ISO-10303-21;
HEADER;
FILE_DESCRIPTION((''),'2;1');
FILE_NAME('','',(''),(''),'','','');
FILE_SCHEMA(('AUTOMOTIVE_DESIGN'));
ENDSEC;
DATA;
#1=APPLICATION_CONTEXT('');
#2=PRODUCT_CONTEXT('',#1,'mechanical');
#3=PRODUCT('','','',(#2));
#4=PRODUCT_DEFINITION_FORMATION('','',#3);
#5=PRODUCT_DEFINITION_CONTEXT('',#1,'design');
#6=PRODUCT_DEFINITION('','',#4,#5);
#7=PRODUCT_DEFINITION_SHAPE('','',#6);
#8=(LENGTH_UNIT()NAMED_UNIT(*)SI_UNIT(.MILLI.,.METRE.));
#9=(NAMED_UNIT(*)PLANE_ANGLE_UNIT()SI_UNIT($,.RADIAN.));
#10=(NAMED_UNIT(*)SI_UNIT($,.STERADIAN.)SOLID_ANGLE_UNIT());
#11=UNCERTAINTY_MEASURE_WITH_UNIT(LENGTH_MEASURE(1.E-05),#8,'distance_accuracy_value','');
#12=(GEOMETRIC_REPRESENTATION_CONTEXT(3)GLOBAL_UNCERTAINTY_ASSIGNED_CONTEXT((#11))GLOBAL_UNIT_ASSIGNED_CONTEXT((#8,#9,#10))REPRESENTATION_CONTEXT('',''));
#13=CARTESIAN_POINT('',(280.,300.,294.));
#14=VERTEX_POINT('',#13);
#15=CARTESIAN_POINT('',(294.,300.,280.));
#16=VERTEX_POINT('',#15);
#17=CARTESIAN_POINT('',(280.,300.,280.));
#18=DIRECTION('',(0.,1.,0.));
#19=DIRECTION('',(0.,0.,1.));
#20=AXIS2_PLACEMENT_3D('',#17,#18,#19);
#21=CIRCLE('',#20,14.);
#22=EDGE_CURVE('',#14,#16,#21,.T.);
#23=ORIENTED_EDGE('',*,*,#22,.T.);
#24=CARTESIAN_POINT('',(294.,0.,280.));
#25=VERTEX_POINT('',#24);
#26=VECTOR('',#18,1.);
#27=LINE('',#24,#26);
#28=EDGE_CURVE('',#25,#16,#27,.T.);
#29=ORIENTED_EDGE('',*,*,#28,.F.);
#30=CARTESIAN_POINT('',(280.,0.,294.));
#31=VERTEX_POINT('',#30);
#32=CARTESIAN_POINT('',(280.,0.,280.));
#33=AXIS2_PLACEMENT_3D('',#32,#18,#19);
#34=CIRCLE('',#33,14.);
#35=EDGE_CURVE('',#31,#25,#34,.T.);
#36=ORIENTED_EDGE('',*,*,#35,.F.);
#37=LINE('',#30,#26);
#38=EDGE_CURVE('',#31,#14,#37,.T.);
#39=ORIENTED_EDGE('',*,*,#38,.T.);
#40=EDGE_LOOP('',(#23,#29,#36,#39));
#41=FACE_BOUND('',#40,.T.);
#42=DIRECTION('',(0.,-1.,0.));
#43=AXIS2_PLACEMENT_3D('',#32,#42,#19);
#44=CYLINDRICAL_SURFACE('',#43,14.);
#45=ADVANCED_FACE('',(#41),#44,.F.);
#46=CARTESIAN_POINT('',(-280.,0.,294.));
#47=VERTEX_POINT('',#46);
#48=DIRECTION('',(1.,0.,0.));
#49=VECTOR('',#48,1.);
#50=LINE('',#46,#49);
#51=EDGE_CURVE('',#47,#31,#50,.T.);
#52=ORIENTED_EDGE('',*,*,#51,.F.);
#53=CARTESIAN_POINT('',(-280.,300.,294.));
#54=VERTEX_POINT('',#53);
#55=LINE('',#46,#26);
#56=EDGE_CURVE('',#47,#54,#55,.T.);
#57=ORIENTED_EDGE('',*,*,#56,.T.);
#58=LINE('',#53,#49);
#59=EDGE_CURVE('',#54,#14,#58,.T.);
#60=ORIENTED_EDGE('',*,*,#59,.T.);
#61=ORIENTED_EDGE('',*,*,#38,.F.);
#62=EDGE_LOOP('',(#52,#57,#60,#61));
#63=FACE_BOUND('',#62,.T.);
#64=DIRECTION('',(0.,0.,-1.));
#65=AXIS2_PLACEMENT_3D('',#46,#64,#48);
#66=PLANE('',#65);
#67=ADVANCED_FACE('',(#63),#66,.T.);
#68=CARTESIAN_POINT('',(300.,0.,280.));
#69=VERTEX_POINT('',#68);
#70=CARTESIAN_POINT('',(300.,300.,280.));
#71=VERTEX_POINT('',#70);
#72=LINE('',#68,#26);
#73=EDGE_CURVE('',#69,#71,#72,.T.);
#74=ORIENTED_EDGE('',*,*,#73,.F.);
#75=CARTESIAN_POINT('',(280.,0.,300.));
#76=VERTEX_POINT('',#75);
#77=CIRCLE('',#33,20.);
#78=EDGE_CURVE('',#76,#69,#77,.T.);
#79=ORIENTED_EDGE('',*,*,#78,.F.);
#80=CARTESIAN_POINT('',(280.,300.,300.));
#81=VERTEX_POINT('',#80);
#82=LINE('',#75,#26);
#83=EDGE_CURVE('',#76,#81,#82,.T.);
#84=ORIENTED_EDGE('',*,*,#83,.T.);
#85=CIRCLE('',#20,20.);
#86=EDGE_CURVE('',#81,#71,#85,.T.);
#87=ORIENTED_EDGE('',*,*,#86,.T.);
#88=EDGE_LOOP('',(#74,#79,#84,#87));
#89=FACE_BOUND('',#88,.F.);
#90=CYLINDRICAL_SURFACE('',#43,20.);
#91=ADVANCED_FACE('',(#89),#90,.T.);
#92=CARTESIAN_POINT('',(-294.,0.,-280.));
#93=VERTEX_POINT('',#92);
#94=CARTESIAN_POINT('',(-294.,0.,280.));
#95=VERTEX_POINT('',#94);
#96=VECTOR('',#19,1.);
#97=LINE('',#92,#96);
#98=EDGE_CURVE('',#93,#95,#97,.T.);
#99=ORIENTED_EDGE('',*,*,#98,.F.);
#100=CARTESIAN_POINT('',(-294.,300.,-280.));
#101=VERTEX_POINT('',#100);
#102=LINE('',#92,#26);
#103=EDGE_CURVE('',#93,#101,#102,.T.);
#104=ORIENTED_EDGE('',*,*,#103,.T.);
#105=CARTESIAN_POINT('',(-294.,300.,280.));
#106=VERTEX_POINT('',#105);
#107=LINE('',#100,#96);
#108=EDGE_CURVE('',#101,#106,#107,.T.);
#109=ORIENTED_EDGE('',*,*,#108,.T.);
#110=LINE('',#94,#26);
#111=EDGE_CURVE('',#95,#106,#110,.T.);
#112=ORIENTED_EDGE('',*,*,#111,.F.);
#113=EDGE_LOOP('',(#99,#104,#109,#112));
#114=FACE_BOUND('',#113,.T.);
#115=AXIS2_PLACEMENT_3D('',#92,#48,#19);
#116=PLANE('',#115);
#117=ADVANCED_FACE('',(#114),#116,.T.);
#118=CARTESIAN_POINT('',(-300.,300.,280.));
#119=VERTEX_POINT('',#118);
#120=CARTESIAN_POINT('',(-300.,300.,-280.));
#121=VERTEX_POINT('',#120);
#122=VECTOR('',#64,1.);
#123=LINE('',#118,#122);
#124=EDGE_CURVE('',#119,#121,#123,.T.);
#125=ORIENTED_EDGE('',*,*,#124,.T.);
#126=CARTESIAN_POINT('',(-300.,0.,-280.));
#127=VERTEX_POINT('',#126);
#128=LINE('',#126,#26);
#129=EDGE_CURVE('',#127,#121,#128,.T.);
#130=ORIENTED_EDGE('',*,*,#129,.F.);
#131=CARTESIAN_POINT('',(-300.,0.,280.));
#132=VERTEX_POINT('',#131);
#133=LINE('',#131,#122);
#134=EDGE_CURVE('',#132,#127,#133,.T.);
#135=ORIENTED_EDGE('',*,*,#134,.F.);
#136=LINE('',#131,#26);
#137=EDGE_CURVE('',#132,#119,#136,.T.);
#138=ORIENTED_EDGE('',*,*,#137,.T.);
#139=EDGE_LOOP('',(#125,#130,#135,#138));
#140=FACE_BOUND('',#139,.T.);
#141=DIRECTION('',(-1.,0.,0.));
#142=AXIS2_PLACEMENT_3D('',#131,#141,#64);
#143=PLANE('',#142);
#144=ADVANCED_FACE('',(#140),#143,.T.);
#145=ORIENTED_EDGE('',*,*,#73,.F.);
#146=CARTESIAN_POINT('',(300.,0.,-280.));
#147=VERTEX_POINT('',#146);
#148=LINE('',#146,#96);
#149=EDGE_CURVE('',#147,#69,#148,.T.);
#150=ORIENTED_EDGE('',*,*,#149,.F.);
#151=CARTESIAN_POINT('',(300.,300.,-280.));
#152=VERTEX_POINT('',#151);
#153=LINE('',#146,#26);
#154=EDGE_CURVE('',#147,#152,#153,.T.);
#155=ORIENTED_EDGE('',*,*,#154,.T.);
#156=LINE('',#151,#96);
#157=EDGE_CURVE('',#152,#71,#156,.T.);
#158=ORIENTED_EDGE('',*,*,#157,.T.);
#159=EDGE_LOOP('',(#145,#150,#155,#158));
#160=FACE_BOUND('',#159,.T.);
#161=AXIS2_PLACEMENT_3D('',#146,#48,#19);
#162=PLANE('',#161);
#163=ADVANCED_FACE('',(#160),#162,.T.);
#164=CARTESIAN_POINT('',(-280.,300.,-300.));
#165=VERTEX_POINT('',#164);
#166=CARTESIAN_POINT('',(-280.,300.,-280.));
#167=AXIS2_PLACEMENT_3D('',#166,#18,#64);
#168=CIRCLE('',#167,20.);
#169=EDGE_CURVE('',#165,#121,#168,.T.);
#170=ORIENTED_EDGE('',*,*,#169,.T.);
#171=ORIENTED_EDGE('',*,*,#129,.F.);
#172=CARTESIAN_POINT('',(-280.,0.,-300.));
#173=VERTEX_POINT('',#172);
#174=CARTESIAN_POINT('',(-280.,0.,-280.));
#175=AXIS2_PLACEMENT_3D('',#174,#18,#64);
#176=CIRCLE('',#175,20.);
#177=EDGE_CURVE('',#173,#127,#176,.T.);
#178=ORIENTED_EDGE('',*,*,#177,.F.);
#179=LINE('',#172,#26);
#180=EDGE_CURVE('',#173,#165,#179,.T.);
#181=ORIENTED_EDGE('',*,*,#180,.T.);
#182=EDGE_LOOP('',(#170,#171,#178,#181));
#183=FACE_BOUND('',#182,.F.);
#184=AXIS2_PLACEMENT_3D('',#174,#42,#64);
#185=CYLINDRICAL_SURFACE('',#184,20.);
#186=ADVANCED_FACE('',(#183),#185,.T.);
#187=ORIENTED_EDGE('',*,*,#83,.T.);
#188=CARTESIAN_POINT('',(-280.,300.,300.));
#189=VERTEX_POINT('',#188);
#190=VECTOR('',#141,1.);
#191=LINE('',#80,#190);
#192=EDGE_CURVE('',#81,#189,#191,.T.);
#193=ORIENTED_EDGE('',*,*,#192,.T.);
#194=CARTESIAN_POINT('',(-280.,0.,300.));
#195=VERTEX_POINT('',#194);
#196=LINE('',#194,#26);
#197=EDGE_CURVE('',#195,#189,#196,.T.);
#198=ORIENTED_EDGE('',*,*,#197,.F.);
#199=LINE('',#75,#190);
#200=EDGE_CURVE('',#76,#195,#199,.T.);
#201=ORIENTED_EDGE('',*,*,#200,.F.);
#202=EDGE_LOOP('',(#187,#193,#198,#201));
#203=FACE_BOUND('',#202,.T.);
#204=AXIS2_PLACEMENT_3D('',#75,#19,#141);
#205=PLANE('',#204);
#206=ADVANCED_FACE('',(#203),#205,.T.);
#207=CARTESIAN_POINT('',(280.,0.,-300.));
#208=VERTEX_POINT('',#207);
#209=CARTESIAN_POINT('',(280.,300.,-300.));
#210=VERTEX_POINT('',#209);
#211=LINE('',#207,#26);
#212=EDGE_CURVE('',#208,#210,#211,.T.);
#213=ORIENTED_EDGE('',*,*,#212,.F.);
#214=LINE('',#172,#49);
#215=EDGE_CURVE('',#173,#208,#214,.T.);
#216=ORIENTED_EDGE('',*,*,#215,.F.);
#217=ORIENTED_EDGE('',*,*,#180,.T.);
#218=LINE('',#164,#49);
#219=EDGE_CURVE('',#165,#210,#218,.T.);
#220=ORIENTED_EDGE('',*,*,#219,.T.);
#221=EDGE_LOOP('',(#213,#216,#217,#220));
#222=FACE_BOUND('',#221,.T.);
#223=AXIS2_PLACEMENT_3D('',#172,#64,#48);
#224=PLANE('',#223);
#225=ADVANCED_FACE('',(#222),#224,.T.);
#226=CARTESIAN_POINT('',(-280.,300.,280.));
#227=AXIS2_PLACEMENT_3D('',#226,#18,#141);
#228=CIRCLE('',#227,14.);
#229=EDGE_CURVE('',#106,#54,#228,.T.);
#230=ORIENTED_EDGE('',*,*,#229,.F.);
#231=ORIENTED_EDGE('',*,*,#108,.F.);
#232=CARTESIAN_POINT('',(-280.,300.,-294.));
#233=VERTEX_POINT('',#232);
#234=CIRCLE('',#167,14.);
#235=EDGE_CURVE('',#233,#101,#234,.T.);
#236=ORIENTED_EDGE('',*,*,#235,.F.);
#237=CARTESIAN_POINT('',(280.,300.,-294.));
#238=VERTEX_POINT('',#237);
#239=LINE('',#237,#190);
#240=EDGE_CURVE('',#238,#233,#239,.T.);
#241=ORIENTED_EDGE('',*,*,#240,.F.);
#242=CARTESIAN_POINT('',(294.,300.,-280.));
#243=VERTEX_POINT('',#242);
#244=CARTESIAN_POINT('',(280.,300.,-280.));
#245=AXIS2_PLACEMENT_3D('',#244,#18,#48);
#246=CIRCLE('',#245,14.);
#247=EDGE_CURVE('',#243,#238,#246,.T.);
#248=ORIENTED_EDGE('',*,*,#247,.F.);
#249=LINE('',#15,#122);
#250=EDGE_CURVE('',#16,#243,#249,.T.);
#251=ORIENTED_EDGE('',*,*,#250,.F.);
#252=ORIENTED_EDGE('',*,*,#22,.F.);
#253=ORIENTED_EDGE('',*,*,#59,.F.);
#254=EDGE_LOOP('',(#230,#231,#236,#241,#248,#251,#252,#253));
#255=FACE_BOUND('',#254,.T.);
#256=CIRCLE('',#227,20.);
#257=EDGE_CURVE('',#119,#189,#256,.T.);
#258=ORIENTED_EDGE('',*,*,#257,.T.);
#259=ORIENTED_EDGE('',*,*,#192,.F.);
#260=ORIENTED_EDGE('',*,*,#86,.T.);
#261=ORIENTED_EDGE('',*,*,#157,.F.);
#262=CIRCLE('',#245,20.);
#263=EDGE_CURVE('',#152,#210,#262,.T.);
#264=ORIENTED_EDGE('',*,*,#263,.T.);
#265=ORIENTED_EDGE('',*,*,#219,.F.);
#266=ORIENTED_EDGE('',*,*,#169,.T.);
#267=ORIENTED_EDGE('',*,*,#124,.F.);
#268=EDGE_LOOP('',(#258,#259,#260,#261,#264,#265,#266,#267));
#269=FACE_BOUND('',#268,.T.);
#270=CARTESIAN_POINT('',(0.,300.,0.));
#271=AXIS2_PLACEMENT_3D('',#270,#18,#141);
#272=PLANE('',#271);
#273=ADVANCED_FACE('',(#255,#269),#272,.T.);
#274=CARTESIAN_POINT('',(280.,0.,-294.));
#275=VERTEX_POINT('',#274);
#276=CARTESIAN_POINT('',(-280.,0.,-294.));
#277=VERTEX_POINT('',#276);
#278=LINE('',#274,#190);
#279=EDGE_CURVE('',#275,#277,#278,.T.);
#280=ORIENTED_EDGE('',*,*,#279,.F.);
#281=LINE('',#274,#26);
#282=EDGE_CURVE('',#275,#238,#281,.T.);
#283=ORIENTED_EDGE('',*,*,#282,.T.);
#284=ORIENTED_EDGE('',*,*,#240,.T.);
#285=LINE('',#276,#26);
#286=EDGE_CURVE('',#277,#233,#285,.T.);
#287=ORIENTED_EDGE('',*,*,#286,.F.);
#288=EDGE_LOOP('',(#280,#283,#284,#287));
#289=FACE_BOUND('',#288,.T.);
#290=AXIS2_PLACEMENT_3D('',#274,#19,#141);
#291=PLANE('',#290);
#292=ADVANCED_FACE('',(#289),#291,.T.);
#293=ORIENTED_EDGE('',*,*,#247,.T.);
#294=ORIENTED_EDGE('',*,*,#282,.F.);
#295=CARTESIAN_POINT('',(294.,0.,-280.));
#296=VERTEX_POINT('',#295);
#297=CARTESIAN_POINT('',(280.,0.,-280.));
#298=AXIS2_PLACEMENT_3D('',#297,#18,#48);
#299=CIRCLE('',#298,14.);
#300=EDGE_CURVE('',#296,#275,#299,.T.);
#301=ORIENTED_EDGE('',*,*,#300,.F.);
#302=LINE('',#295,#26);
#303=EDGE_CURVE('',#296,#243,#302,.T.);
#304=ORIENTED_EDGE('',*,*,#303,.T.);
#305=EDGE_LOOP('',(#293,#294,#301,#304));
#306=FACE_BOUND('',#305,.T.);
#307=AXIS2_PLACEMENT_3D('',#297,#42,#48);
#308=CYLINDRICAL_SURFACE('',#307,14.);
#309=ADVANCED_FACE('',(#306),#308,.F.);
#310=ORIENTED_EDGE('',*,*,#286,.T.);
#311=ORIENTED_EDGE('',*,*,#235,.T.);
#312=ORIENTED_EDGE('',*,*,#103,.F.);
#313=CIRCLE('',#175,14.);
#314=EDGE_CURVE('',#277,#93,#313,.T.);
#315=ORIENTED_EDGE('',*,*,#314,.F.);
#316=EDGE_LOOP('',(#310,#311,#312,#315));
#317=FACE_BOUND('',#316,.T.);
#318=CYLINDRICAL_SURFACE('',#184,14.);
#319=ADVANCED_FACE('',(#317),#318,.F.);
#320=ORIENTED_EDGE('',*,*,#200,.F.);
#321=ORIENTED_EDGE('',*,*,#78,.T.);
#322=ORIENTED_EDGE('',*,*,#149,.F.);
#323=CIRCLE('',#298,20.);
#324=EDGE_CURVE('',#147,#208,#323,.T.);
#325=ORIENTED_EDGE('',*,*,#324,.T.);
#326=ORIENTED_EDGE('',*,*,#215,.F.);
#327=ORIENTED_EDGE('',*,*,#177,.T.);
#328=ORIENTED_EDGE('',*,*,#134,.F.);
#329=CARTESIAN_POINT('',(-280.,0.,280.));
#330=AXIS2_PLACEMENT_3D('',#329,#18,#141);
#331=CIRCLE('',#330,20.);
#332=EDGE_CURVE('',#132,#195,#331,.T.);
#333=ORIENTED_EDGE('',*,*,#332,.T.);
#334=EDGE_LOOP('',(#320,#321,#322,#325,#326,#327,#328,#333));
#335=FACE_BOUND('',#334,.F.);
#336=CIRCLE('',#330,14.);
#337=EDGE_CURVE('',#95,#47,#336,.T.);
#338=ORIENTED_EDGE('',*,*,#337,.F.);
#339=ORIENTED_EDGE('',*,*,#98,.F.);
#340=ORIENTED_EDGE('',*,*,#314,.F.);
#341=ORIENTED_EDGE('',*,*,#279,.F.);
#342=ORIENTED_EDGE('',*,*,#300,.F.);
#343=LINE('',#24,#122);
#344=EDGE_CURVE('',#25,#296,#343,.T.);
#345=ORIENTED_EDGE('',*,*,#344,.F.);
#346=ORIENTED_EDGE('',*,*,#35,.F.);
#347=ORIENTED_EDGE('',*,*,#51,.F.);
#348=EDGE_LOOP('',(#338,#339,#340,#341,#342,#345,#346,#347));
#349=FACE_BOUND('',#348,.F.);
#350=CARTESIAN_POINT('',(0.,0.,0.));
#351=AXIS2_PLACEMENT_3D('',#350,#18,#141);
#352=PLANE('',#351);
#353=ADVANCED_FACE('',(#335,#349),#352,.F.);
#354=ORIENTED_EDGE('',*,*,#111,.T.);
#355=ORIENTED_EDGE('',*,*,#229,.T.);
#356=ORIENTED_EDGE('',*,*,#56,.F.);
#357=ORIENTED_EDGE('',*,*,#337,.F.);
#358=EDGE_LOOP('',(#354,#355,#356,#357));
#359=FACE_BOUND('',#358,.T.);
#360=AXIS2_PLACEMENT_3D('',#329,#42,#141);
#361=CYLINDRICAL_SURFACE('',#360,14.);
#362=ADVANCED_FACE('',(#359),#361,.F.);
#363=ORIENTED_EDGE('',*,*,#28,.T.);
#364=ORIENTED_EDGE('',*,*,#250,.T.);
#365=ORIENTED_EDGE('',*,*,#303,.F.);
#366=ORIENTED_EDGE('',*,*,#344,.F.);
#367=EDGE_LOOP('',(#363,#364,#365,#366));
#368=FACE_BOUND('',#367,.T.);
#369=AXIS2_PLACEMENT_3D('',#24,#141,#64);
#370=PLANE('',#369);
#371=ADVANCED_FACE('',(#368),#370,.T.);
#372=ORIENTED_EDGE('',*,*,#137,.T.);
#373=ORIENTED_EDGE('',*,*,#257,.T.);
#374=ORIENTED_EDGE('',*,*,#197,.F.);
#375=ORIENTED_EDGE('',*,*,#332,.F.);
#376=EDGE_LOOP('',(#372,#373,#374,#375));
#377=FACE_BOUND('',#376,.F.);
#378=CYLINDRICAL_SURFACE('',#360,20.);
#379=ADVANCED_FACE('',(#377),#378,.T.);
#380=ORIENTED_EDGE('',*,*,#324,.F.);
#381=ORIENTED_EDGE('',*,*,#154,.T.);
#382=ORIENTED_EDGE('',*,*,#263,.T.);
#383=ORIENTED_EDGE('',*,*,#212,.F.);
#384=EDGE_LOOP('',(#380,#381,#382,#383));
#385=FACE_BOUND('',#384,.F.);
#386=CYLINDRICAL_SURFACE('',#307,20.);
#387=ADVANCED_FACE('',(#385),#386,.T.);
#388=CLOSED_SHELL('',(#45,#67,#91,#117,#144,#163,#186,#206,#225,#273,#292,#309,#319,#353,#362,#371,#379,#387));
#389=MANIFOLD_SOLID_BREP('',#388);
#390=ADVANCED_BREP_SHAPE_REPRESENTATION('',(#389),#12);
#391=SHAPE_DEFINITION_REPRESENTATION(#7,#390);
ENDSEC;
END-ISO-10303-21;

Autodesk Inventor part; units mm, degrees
ref_plane "YZ Plane" through (0, 0, 0) normal (1, 0, 0) x (0, 1, 0)
ref_plane "XZ Plane" through (0, 0, 0) normal (0, 1, 0) x (-1, 0, 0)
ref_plane "XY Plane" through (0, 0, 0) normal (0, 0, 1) x (1, 0, 0)
sketch "Sketch1" plane through (0, 0, 0) normal (0, 1, 0) x (-1, 0, 0)
  line L0 (-280, 300) -> (280, 300)
  line L1 (300, 280) -> (300, -280)
  line L2 (280, -300) -> (-280, -300)
  line L3 (-300, -280) -> (-300, 280)
  line L4 (-300, 300) -> (300, -300) construction
  line L5 (300, 300) -> (-300, -300) construction
  arc A0 (300, 280) -> (280, 300) centre (280, 280) ccw
  arc A1 (280, -300) -> (300, -280) centre (280, -280) ccw
  arc A2 (-300, -280) -> (-280, -300) centre (-280, -280) ccw
  arc A3 (-280, 300) -> (-300, 280) centre (-280, 280) ccw
  line L6 (280, 294) -> (-280, 294)
  arc A4 (-280, 294) -> (-294, 280) centre (-280, 280) ccw
  line L7 (-294, 280) -> (-294, -280)
  arc A5 (-294, -280) -> (-280, -294) centre (-280, -280) ccw
  line L8 (-280, -294) -> (280, -294)
  arc A6 (280, -294) -> (294, -280) centre (280, -280) ccw
  line L9 (294, -280) -> (294, 280)
  arc A7 (294, 280) -> (280, 294) centre (280, 280) ccw
  point P0 (0, 0)
  dimension "d0" = 600
  dimension "d1" = 600
  dimension "d2" = 20
  dimension "d3" = 6
extrude "Extrusion1" add sketch "Sketch1" along normal blind 300
properties part number "Stackbox-noHoles"
